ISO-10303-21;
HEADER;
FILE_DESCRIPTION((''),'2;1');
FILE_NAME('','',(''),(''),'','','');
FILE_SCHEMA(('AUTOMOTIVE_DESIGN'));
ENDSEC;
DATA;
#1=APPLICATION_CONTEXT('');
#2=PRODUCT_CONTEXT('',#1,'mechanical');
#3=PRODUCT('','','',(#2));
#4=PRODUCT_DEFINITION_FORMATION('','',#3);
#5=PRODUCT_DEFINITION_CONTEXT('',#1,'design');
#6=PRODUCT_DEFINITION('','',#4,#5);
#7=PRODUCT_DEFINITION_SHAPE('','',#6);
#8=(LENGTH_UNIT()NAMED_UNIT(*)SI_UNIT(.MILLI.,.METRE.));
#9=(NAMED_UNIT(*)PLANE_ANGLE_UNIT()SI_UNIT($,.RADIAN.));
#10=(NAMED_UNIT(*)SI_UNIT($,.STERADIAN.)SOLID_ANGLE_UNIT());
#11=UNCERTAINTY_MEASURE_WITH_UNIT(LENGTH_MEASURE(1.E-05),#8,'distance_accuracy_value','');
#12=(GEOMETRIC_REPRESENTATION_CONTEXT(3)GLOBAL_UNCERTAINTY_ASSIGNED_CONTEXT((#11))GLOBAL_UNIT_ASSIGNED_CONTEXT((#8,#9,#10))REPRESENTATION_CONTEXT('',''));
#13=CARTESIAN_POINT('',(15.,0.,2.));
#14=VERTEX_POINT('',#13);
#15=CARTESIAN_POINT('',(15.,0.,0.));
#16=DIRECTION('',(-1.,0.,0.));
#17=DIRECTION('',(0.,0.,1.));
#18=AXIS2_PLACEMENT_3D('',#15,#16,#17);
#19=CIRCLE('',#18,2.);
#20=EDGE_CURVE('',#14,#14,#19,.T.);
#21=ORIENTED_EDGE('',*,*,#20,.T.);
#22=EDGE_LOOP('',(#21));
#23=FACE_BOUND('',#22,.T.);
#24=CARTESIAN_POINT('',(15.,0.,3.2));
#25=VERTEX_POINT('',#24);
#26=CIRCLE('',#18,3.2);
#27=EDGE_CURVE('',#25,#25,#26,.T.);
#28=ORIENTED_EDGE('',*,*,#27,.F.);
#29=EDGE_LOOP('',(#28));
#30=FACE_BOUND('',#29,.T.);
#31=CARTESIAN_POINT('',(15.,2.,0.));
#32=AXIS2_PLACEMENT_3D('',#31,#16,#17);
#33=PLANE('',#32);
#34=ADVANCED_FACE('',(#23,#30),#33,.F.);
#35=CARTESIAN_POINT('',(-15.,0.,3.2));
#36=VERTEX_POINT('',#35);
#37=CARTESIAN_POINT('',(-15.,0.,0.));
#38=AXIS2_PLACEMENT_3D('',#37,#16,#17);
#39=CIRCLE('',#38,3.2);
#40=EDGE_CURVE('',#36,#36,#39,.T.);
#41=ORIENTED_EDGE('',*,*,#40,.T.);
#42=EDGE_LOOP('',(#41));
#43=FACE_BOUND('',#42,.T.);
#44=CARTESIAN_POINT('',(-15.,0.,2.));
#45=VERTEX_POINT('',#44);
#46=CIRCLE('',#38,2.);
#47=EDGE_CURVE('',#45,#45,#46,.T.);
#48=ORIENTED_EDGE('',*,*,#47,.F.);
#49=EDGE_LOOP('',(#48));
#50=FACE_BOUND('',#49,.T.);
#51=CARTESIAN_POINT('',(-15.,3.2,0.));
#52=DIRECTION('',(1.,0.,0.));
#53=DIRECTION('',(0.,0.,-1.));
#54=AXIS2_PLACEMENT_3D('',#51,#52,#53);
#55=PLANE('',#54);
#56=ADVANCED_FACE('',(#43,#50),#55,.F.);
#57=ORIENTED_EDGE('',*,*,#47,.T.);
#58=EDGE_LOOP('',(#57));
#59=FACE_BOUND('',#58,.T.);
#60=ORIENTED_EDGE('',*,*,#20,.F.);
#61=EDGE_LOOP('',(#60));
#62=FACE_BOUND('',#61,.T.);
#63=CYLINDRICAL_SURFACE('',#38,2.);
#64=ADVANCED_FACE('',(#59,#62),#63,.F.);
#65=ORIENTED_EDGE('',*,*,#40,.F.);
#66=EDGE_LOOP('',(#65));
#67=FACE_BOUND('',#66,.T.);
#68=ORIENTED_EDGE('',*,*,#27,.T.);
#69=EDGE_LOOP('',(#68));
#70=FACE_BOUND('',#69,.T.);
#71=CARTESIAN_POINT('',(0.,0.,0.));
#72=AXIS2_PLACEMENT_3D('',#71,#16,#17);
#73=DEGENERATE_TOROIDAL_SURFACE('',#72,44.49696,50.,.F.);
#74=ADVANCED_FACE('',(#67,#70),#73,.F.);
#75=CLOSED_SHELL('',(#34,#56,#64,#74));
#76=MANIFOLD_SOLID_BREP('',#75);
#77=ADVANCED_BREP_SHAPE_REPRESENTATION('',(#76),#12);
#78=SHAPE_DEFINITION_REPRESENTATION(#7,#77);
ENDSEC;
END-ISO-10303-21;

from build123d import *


with BuildPart() as part:
    # ｽｹｯﾁ1 → 回転1 (revolve)
    with BuildSketch(Plane.XY, mode=Mode.PRIVATE) as revolve_1_sk:
        with BuildLine():
            Line((-15, 3.2), (-15, 2))
            Line((-15, 2), (15, 2))
            Line((15, 2), (15, 3.2))
            ThreePointArc((15, 3.2), (0, 5.503039929), (-15, 3.2))
        make_face()
    revolve(revolve_1_sk.sketch.rotate(Axis((-15, 0, 0), (1, 0, 0)), 90), axis=Axis((-15, 0, 0), (1, 0, 0)))


solid = part.part
